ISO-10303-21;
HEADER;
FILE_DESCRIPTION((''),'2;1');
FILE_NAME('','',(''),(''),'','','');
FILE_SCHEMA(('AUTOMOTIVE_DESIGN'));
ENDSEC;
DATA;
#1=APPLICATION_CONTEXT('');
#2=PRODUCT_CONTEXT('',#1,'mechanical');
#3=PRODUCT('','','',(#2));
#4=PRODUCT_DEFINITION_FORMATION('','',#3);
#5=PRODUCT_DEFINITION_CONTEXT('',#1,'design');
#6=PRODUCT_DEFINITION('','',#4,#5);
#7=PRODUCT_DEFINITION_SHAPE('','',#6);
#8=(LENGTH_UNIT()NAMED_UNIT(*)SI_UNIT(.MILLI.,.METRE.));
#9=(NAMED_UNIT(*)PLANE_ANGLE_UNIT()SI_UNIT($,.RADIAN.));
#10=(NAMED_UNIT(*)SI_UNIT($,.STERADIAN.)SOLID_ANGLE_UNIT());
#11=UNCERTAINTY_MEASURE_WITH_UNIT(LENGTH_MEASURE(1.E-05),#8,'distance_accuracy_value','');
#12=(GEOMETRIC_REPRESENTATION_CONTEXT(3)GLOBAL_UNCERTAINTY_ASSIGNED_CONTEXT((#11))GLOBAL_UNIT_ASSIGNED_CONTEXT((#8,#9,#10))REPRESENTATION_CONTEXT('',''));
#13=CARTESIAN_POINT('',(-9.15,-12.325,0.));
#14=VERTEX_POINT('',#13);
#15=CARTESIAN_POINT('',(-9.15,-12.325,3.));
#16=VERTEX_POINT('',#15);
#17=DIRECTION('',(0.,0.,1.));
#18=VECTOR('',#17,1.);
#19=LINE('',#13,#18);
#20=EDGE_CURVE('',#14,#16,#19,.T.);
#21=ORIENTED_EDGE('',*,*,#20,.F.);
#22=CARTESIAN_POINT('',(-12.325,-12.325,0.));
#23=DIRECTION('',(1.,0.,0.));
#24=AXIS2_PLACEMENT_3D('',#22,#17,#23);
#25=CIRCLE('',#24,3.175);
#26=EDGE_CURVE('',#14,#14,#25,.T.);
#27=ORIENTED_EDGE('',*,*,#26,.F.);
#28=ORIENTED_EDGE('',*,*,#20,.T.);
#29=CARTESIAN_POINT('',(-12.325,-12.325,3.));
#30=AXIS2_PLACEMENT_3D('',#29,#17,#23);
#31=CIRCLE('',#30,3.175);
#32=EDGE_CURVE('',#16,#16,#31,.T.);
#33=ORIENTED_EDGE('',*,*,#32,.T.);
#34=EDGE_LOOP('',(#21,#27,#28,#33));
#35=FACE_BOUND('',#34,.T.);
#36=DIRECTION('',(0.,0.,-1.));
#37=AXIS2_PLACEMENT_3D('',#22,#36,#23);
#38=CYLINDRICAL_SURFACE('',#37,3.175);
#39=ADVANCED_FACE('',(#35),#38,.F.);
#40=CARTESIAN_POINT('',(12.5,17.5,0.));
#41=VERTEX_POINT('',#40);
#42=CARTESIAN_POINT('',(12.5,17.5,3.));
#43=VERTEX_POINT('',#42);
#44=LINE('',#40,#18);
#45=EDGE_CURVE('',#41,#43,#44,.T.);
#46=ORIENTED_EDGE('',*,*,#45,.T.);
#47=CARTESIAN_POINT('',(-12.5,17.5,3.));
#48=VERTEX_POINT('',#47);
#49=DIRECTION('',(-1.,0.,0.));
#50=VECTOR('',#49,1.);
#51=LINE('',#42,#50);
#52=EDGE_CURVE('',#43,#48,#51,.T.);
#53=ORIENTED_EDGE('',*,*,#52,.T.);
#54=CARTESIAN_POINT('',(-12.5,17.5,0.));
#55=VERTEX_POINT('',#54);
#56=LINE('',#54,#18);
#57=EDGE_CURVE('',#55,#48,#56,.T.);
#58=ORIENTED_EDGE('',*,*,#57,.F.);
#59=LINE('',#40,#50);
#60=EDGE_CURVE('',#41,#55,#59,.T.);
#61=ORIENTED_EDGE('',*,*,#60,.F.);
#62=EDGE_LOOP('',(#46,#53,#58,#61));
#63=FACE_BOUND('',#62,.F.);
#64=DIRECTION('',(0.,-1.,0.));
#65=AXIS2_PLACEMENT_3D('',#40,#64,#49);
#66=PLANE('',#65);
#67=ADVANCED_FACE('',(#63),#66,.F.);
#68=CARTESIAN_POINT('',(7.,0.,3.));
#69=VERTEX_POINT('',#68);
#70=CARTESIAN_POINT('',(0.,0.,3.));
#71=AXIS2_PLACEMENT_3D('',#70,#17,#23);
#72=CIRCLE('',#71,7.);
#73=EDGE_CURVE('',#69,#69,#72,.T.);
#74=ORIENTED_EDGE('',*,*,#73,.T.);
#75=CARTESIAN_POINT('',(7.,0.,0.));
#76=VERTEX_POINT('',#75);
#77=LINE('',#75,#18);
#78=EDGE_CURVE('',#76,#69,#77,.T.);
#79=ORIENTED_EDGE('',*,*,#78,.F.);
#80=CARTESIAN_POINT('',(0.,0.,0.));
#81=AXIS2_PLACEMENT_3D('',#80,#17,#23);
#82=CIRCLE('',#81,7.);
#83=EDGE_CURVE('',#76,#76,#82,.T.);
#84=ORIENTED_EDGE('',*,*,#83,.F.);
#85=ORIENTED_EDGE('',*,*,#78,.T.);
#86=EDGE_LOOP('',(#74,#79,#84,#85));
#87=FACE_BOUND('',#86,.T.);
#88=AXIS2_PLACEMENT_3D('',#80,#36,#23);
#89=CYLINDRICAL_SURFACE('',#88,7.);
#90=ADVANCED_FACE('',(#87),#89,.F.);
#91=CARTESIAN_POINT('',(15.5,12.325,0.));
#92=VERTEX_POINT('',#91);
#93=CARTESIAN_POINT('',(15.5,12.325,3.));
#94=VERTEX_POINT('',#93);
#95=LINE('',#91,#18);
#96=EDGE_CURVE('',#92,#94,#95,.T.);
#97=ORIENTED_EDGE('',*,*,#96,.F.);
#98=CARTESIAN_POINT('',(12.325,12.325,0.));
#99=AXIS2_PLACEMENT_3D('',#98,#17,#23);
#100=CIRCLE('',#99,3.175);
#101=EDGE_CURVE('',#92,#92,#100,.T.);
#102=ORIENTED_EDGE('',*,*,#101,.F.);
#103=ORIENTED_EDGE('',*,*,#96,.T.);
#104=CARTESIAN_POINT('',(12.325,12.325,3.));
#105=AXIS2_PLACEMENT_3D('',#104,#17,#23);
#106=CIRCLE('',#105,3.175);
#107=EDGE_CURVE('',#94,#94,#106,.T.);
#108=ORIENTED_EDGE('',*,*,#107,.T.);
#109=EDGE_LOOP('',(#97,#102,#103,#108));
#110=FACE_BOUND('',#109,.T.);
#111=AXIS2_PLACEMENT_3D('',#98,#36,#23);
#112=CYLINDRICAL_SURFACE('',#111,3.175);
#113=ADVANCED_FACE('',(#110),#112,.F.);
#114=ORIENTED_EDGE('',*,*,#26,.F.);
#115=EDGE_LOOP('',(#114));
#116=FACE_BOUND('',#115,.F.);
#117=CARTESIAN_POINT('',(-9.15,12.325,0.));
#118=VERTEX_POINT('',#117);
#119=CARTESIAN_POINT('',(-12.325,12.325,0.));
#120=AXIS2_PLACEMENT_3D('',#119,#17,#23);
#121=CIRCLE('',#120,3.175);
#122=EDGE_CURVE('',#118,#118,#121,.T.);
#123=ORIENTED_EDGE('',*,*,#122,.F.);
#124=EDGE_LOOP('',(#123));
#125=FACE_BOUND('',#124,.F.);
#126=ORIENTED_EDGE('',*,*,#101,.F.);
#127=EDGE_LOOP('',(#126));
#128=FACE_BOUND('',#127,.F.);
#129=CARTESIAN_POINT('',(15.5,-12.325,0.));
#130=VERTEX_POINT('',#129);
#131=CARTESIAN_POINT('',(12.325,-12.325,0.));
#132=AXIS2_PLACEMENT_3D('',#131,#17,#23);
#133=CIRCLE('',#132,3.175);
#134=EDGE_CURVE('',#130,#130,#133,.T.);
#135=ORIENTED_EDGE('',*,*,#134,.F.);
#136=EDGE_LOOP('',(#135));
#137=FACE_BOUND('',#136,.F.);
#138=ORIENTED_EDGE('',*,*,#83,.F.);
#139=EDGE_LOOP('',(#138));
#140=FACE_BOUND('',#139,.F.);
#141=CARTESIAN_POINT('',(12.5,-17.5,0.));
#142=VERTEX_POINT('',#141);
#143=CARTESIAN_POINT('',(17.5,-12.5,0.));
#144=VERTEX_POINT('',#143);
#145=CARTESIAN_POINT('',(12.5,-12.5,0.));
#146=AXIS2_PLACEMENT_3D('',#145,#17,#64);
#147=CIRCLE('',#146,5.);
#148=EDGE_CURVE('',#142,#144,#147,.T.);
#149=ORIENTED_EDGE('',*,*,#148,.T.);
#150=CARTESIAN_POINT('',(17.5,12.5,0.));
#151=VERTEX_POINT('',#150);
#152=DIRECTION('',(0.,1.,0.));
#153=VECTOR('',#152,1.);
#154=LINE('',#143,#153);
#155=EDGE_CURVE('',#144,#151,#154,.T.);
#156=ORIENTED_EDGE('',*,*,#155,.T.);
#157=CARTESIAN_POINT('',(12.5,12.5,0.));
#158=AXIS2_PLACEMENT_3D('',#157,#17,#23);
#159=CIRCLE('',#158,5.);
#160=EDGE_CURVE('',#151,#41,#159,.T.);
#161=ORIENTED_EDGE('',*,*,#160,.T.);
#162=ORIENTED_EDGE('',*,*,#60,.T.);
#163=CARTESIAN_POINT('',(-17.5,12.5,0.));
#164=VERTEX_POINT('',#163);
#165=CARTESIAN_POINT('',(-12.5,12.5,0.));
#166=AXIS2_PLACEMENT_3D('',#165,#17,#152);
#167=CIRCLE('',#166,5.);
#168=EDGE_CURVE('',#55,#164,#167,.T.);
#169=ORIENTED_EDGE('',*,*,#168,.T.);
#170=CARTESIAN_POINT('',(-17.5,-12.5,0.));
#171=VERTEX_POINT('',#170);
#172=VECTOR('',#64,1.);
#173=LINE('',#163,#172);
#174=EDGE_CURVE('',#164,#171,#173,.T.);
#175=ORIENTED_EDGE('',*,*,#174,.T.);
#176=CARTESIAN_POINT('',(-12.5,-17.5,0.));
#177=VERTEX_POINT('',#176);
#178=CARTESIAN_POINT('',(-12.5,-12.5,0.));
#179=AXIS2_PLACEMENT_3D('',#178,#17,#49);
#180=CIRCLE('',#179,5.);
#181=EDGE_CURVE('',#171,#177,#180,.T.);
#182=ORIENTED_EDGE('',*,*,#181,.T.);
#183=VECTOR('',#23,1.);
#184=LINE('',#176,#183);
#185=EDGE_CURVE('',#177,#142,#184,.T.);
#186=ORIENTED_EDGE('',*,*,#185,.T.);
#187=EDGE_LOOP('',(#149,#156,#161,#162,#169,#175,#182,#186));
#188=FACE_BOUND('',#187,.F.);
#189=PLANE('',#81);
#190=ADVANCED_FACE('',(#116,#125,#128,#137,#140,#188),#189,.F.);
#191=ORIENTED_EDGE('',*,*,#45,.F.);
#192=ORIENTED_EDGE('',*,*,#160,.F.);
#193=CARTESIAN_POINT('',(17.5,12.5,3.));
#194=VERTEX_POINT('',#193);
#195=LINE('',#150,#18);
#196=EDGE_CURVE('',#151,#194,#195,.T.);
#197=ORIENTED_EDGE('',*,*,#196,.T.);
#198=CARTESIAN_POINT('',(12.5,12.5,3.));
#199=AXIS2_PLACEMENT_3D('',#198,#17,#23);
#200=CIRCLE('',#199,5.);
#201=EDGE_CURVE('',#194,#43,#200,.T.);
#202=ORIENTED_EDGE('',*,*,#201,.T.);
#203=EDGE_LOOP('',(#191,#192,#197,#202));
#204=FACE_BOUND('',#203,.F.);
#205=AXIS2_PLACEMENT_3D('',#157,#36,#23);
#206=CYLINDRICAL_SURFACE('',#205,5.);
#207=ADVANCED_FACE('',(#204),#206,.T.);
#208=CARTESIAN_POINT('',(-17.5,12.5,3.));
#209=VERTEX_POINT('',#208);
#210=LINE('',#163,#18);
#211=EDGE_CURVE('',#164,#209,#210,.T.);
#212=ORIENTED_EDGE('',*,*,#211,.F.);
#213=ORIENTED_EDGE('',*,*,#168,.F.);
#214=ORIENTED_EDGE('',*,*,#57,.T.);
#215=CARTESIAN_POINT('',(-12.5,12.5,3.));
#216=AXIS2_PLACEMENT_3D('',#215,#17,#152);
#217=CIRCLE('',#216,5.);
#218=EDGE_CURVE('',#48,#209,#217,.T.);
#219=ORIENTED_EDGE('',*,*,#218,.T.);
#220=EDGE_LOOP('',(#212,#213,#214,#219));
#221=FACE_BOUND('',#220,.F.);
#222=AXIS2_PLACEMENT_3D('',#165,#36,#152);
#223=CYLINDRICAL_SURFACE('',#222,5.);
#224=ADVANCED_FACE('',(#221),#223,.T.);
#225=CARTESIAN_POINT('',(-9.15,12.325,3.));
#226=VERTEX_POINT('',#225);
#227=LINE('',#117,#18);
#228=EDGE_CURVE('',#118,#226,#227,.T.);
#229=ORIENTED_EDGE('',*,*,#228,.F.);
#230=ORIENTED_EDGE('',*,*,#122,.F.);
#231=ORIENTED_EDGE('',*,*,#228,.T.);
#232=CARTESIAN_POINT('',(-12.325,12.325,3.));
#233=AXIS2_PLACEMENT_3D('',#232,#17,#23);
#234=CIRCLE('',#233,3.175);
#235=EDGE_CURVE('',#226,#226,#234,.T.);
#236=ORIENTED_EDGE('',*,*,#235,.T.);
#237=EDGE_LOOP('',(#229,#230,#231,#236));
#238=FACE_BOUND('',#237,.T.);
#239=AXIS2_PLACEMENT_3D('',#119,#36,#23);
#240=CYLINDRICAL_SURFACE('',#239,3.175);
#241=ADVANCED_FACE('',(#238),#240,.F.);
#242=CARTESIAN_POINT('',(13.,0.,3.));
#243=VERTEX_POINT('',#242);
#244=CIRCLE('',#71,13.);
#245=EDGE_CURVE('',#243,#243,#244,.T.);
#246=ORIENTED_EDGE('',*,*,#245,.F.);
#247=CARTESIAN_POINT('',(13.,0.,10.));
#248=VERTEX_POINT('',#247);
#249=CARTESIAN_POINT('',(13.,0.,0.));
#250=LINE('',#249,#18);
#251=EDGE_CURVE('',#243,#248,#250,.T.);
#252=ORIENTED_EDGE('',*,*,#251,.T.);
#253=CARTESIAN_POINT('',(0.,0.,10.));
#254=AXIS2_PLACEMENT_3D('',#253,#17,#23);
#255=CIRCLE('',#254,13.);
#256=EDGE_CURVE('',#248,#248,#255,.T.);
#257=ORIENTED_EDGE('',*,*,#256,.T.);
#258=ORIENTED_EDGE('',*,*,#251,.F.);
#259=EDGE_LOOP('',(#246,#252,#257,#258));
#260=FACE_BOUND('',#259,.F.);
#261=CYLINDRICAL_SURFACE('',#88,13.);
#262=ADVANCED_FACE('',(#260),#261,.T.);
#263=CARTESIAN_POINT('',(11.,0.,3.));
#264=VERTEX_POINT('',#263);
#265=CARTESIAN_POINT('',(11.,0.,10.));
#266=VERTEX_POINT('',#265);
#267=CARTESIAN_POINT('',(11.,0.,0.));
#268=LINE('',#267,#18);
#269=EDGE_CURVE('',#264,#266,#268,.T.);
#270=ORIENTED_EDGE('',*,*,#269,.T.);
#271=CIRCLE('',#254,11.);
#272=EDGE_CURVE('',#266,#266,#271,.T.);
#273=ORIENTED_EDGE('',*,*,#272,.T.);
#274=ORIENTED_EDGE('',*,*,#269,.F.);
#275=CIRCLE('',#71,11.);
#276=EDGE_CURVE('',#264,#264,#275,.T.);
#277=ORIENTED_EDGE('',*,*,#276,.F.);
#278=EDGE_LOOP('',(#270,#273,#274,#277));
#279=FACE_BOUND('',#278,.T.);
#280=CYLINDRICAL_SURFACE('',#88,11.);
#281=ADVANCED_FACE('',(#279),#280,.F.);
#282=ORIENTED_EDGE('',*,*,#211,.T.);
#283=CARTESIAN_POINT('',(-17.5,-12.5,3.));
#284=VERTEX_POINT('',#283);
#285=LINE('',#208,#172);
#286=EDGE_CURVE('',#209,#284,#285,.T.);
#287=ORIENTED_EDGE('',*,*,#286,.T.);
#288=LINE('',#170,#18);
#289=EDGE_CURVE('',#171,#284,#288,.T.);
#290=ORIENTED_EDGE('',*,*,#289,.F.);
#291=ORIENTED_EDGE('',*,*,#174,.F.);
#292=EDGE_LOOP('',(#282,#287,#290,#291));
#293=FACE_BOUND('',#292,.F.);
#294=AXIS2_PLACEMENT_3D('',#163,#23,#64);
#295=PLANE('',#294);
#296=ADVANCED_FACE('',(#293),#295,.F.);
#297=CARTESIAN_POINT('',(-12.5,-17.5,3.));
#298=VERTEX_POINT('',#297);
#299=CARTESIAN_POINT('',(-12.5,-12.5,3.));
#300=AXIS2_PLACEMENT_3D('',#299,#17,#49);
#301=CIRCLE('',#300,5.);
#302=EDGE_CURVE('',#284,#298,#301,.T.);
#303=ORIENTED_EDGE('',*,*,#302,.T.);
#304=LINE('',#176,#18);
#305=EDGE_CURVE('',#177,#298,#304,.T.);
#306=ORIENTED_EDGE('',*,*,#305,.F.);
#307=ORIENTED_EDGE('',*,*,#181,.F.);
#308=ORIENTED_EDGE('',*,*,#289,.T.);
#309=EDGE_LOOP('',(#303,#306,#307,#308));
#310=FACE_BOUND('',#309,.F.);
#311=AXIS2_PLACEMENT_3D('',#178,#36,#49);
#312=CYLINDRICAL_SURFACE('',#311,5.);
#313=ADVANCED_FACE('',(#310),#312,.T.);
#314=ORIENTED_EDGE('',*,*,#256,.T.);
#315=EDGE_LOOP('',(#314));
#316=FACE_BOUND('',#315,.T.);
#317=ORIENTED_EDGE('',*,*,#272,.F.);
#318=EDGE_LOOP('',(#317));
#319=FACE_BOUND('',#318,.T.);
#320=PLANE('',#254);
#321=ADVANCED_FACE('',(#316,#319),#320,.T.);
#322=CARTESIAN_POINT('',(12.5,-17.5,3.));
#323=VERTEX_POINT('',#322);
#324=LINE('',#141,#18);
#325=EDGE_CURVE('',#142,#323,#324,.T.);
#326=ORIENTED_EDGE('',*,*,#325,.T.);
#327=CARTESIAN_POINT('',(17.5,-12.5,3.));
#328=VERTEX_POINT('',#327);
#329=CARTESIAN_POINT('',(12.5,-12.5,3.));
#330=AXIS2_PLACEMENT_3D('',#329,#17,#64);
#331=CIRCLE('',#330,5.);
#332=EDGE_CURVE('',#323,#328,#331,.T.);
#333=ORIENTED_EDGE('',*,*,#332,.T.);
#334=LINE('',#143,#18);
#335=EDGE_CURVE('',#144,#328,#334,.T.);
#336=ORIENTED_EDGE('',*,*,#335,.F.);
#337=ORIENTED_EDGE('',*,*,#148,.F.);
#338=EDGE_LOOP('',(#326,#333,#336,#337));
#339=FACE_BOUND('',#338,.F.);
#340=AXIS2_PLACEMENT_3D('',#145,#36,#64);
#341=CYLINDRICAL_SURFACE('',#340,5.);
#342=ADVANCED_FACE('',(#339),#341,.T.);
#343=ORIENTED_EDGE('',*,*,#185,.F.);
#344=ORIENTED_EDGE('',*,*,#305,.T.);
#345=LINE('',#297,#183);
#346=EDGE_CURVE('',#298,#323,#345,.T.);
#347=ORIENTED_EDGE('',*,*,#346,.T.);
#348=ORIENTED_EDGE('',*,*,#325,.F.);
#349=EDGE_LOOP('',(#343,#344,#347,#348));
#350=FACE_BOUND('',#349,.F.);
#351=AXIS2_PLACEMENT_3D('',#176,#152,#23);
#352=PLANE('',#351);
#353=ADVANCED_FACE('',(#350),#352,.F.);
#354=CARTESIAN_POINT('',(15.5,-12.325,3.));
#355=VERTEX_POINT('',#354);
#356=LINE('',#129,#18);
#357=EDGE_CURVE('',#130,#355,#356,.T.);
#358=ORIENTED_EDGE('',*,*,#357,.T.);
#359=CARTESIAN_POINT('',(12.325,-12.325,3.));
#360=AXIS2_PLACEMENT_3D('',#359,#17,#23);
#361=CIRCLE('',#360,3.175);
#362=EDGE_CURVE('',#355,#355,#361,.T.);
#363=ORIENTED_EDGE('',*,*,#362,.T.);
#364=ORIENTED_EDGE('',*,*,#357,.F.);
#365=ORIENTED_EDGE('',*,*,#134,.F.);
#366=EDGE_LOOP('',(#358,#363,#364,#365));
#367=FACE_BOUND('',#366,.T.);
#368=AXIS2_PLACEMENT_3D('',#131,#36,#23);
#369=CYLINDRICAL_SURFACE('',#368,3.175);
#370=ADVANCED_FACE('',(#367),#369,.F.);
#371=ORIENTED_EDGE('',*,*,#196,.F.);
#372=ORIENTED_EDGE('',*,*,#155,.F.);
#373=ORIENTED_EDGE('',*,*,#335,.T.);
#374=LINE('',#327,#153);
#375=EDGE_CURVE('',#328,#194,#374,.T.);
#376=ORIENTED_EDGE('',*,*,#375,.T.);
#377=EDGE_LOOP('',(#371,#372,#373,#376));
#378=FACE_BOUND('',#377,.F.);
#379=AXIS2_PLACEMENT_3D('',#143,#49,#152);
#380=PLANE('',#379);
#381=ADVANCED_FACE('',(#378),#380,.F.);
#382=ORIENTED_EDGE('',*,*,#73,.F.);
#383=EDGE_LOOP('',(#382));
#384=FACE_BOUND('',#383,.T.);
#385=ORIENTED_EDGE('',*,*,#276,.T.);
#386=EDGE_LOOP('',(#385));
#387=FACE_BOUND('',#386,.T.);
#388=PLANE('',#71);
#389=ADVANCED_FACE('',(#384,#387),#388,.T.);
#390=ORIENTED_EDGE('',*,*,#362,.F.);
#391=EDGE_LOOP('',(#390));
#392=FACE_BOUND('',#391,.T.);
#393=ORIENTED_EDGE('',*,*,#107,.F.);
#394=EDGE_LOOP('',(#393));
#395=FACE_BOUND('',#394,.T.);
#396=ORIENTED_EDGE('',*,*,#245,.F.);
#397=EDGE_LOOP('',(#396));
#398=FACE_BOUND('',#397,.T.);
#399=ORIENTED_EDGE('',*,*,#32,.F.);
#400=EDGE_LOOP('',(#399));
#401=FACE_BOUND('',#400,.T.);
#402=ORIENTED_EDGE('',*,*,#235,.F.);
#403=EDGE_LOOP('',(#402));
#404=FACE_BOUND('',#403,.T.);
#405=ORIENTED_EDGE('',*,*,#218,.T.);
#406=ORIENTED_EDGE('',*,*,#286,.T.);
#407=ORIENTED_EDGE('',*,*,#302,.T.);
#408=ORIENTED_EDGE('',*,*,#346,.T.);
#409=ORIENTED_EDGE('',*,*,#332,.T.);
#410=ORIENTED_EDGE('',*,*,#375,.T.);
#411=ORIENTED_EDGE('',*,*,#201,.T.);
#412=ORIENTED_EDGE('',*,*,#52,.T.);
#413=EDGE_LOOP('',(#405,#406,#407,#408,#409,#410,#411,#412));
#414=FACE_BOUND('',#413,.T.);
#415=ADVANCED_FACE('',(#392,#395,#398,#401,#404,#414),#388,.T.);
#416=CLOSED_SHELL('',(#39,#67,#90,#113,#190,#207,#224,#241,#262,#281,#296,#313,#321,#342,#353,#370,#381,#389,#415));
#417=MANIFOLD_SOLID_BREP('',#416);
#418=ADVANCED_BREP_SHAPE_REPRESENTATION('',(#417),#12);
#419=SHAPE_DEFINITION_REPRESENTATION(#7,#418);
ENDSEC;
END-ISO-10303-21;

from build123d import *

# Parameters (mm, degrees)
F0_R     = 3.175
F0_R_2   = 13
F1_DEPTH = 3
F0_R_3   = 11
F0_R_4   = 7
F2_DEPTH = 10


with BuildPart() as f1:
    # F0 (on Top) → F1 (new body)
    with BuildSketch(Plane.XY):
        with BuildLine():
            ThreePointArc((17.5, 12.5), (16.0355339059, 16.0355339059), (12.5, 17.5))
            Line((12.5, 17.5), (-12.5, 17.5))
            ThreePointArc((-12.5, 17.5), (-16.0355339059, 16.0355339059), (-17.5, 12.5))
            Line((-17.5, 12.5), (-17.5, -12.5))
            ThreePointArc((-17.5, -12.5), (-16.0355339059, -16.0355339059), (-12.5, -17.5))
            Line((-12.5, -17.5), (12.5, -17.5))
            ThreePointArc((12.5, -17.5), (16.0355339059, -16.0355339059), (17.5, -12.5))
            Line((17.5, -12.5), (17.5, 12.5))
        make_face()
        with Locations((-12.325, -12.325)):
            Circle(F0_R, mode=Mode.SUBTRACT)
        with Locations((12.325, -12.325)):
            Circle(F0_R, mode=Mode.SUBTRACT)
        with Locations((-12.325, 12.325)):
            Circle(F0_R, mode=Mode.SUBTRACT)
        Circle(F0_R_2, mode=Mode.SUBTRACT)
        with Locations((12.325, 12.325)):
            Circle(F0_R, mode=Mode.SUBTRACT)
    extrude(amount=F1_DEPTH)



with BuildPart() as f1b:
    # F0 (on Top) → F1, piece 2 (new body)
    with BuildSketch(Plane.XY):
        Circle(F0_R_3)
        Circle(F0_R_4, mode=Mode.SUBTRACT)
    extrude(amount=F1_DEPTH)


with BuildPart() as f1_1:
    add(f1.part)

    add(f1b.part)  # F2 merges F1b
    # F0 (on Top) → F2 (join)
    with BuildSketch(Plane.XY):
        Circle(F0_R_2)
        Circle(F0_R_3, mode=Mode.SUBTRACT)
    extrude(amount=F2_DEPTH)


solid = f1_1.part
